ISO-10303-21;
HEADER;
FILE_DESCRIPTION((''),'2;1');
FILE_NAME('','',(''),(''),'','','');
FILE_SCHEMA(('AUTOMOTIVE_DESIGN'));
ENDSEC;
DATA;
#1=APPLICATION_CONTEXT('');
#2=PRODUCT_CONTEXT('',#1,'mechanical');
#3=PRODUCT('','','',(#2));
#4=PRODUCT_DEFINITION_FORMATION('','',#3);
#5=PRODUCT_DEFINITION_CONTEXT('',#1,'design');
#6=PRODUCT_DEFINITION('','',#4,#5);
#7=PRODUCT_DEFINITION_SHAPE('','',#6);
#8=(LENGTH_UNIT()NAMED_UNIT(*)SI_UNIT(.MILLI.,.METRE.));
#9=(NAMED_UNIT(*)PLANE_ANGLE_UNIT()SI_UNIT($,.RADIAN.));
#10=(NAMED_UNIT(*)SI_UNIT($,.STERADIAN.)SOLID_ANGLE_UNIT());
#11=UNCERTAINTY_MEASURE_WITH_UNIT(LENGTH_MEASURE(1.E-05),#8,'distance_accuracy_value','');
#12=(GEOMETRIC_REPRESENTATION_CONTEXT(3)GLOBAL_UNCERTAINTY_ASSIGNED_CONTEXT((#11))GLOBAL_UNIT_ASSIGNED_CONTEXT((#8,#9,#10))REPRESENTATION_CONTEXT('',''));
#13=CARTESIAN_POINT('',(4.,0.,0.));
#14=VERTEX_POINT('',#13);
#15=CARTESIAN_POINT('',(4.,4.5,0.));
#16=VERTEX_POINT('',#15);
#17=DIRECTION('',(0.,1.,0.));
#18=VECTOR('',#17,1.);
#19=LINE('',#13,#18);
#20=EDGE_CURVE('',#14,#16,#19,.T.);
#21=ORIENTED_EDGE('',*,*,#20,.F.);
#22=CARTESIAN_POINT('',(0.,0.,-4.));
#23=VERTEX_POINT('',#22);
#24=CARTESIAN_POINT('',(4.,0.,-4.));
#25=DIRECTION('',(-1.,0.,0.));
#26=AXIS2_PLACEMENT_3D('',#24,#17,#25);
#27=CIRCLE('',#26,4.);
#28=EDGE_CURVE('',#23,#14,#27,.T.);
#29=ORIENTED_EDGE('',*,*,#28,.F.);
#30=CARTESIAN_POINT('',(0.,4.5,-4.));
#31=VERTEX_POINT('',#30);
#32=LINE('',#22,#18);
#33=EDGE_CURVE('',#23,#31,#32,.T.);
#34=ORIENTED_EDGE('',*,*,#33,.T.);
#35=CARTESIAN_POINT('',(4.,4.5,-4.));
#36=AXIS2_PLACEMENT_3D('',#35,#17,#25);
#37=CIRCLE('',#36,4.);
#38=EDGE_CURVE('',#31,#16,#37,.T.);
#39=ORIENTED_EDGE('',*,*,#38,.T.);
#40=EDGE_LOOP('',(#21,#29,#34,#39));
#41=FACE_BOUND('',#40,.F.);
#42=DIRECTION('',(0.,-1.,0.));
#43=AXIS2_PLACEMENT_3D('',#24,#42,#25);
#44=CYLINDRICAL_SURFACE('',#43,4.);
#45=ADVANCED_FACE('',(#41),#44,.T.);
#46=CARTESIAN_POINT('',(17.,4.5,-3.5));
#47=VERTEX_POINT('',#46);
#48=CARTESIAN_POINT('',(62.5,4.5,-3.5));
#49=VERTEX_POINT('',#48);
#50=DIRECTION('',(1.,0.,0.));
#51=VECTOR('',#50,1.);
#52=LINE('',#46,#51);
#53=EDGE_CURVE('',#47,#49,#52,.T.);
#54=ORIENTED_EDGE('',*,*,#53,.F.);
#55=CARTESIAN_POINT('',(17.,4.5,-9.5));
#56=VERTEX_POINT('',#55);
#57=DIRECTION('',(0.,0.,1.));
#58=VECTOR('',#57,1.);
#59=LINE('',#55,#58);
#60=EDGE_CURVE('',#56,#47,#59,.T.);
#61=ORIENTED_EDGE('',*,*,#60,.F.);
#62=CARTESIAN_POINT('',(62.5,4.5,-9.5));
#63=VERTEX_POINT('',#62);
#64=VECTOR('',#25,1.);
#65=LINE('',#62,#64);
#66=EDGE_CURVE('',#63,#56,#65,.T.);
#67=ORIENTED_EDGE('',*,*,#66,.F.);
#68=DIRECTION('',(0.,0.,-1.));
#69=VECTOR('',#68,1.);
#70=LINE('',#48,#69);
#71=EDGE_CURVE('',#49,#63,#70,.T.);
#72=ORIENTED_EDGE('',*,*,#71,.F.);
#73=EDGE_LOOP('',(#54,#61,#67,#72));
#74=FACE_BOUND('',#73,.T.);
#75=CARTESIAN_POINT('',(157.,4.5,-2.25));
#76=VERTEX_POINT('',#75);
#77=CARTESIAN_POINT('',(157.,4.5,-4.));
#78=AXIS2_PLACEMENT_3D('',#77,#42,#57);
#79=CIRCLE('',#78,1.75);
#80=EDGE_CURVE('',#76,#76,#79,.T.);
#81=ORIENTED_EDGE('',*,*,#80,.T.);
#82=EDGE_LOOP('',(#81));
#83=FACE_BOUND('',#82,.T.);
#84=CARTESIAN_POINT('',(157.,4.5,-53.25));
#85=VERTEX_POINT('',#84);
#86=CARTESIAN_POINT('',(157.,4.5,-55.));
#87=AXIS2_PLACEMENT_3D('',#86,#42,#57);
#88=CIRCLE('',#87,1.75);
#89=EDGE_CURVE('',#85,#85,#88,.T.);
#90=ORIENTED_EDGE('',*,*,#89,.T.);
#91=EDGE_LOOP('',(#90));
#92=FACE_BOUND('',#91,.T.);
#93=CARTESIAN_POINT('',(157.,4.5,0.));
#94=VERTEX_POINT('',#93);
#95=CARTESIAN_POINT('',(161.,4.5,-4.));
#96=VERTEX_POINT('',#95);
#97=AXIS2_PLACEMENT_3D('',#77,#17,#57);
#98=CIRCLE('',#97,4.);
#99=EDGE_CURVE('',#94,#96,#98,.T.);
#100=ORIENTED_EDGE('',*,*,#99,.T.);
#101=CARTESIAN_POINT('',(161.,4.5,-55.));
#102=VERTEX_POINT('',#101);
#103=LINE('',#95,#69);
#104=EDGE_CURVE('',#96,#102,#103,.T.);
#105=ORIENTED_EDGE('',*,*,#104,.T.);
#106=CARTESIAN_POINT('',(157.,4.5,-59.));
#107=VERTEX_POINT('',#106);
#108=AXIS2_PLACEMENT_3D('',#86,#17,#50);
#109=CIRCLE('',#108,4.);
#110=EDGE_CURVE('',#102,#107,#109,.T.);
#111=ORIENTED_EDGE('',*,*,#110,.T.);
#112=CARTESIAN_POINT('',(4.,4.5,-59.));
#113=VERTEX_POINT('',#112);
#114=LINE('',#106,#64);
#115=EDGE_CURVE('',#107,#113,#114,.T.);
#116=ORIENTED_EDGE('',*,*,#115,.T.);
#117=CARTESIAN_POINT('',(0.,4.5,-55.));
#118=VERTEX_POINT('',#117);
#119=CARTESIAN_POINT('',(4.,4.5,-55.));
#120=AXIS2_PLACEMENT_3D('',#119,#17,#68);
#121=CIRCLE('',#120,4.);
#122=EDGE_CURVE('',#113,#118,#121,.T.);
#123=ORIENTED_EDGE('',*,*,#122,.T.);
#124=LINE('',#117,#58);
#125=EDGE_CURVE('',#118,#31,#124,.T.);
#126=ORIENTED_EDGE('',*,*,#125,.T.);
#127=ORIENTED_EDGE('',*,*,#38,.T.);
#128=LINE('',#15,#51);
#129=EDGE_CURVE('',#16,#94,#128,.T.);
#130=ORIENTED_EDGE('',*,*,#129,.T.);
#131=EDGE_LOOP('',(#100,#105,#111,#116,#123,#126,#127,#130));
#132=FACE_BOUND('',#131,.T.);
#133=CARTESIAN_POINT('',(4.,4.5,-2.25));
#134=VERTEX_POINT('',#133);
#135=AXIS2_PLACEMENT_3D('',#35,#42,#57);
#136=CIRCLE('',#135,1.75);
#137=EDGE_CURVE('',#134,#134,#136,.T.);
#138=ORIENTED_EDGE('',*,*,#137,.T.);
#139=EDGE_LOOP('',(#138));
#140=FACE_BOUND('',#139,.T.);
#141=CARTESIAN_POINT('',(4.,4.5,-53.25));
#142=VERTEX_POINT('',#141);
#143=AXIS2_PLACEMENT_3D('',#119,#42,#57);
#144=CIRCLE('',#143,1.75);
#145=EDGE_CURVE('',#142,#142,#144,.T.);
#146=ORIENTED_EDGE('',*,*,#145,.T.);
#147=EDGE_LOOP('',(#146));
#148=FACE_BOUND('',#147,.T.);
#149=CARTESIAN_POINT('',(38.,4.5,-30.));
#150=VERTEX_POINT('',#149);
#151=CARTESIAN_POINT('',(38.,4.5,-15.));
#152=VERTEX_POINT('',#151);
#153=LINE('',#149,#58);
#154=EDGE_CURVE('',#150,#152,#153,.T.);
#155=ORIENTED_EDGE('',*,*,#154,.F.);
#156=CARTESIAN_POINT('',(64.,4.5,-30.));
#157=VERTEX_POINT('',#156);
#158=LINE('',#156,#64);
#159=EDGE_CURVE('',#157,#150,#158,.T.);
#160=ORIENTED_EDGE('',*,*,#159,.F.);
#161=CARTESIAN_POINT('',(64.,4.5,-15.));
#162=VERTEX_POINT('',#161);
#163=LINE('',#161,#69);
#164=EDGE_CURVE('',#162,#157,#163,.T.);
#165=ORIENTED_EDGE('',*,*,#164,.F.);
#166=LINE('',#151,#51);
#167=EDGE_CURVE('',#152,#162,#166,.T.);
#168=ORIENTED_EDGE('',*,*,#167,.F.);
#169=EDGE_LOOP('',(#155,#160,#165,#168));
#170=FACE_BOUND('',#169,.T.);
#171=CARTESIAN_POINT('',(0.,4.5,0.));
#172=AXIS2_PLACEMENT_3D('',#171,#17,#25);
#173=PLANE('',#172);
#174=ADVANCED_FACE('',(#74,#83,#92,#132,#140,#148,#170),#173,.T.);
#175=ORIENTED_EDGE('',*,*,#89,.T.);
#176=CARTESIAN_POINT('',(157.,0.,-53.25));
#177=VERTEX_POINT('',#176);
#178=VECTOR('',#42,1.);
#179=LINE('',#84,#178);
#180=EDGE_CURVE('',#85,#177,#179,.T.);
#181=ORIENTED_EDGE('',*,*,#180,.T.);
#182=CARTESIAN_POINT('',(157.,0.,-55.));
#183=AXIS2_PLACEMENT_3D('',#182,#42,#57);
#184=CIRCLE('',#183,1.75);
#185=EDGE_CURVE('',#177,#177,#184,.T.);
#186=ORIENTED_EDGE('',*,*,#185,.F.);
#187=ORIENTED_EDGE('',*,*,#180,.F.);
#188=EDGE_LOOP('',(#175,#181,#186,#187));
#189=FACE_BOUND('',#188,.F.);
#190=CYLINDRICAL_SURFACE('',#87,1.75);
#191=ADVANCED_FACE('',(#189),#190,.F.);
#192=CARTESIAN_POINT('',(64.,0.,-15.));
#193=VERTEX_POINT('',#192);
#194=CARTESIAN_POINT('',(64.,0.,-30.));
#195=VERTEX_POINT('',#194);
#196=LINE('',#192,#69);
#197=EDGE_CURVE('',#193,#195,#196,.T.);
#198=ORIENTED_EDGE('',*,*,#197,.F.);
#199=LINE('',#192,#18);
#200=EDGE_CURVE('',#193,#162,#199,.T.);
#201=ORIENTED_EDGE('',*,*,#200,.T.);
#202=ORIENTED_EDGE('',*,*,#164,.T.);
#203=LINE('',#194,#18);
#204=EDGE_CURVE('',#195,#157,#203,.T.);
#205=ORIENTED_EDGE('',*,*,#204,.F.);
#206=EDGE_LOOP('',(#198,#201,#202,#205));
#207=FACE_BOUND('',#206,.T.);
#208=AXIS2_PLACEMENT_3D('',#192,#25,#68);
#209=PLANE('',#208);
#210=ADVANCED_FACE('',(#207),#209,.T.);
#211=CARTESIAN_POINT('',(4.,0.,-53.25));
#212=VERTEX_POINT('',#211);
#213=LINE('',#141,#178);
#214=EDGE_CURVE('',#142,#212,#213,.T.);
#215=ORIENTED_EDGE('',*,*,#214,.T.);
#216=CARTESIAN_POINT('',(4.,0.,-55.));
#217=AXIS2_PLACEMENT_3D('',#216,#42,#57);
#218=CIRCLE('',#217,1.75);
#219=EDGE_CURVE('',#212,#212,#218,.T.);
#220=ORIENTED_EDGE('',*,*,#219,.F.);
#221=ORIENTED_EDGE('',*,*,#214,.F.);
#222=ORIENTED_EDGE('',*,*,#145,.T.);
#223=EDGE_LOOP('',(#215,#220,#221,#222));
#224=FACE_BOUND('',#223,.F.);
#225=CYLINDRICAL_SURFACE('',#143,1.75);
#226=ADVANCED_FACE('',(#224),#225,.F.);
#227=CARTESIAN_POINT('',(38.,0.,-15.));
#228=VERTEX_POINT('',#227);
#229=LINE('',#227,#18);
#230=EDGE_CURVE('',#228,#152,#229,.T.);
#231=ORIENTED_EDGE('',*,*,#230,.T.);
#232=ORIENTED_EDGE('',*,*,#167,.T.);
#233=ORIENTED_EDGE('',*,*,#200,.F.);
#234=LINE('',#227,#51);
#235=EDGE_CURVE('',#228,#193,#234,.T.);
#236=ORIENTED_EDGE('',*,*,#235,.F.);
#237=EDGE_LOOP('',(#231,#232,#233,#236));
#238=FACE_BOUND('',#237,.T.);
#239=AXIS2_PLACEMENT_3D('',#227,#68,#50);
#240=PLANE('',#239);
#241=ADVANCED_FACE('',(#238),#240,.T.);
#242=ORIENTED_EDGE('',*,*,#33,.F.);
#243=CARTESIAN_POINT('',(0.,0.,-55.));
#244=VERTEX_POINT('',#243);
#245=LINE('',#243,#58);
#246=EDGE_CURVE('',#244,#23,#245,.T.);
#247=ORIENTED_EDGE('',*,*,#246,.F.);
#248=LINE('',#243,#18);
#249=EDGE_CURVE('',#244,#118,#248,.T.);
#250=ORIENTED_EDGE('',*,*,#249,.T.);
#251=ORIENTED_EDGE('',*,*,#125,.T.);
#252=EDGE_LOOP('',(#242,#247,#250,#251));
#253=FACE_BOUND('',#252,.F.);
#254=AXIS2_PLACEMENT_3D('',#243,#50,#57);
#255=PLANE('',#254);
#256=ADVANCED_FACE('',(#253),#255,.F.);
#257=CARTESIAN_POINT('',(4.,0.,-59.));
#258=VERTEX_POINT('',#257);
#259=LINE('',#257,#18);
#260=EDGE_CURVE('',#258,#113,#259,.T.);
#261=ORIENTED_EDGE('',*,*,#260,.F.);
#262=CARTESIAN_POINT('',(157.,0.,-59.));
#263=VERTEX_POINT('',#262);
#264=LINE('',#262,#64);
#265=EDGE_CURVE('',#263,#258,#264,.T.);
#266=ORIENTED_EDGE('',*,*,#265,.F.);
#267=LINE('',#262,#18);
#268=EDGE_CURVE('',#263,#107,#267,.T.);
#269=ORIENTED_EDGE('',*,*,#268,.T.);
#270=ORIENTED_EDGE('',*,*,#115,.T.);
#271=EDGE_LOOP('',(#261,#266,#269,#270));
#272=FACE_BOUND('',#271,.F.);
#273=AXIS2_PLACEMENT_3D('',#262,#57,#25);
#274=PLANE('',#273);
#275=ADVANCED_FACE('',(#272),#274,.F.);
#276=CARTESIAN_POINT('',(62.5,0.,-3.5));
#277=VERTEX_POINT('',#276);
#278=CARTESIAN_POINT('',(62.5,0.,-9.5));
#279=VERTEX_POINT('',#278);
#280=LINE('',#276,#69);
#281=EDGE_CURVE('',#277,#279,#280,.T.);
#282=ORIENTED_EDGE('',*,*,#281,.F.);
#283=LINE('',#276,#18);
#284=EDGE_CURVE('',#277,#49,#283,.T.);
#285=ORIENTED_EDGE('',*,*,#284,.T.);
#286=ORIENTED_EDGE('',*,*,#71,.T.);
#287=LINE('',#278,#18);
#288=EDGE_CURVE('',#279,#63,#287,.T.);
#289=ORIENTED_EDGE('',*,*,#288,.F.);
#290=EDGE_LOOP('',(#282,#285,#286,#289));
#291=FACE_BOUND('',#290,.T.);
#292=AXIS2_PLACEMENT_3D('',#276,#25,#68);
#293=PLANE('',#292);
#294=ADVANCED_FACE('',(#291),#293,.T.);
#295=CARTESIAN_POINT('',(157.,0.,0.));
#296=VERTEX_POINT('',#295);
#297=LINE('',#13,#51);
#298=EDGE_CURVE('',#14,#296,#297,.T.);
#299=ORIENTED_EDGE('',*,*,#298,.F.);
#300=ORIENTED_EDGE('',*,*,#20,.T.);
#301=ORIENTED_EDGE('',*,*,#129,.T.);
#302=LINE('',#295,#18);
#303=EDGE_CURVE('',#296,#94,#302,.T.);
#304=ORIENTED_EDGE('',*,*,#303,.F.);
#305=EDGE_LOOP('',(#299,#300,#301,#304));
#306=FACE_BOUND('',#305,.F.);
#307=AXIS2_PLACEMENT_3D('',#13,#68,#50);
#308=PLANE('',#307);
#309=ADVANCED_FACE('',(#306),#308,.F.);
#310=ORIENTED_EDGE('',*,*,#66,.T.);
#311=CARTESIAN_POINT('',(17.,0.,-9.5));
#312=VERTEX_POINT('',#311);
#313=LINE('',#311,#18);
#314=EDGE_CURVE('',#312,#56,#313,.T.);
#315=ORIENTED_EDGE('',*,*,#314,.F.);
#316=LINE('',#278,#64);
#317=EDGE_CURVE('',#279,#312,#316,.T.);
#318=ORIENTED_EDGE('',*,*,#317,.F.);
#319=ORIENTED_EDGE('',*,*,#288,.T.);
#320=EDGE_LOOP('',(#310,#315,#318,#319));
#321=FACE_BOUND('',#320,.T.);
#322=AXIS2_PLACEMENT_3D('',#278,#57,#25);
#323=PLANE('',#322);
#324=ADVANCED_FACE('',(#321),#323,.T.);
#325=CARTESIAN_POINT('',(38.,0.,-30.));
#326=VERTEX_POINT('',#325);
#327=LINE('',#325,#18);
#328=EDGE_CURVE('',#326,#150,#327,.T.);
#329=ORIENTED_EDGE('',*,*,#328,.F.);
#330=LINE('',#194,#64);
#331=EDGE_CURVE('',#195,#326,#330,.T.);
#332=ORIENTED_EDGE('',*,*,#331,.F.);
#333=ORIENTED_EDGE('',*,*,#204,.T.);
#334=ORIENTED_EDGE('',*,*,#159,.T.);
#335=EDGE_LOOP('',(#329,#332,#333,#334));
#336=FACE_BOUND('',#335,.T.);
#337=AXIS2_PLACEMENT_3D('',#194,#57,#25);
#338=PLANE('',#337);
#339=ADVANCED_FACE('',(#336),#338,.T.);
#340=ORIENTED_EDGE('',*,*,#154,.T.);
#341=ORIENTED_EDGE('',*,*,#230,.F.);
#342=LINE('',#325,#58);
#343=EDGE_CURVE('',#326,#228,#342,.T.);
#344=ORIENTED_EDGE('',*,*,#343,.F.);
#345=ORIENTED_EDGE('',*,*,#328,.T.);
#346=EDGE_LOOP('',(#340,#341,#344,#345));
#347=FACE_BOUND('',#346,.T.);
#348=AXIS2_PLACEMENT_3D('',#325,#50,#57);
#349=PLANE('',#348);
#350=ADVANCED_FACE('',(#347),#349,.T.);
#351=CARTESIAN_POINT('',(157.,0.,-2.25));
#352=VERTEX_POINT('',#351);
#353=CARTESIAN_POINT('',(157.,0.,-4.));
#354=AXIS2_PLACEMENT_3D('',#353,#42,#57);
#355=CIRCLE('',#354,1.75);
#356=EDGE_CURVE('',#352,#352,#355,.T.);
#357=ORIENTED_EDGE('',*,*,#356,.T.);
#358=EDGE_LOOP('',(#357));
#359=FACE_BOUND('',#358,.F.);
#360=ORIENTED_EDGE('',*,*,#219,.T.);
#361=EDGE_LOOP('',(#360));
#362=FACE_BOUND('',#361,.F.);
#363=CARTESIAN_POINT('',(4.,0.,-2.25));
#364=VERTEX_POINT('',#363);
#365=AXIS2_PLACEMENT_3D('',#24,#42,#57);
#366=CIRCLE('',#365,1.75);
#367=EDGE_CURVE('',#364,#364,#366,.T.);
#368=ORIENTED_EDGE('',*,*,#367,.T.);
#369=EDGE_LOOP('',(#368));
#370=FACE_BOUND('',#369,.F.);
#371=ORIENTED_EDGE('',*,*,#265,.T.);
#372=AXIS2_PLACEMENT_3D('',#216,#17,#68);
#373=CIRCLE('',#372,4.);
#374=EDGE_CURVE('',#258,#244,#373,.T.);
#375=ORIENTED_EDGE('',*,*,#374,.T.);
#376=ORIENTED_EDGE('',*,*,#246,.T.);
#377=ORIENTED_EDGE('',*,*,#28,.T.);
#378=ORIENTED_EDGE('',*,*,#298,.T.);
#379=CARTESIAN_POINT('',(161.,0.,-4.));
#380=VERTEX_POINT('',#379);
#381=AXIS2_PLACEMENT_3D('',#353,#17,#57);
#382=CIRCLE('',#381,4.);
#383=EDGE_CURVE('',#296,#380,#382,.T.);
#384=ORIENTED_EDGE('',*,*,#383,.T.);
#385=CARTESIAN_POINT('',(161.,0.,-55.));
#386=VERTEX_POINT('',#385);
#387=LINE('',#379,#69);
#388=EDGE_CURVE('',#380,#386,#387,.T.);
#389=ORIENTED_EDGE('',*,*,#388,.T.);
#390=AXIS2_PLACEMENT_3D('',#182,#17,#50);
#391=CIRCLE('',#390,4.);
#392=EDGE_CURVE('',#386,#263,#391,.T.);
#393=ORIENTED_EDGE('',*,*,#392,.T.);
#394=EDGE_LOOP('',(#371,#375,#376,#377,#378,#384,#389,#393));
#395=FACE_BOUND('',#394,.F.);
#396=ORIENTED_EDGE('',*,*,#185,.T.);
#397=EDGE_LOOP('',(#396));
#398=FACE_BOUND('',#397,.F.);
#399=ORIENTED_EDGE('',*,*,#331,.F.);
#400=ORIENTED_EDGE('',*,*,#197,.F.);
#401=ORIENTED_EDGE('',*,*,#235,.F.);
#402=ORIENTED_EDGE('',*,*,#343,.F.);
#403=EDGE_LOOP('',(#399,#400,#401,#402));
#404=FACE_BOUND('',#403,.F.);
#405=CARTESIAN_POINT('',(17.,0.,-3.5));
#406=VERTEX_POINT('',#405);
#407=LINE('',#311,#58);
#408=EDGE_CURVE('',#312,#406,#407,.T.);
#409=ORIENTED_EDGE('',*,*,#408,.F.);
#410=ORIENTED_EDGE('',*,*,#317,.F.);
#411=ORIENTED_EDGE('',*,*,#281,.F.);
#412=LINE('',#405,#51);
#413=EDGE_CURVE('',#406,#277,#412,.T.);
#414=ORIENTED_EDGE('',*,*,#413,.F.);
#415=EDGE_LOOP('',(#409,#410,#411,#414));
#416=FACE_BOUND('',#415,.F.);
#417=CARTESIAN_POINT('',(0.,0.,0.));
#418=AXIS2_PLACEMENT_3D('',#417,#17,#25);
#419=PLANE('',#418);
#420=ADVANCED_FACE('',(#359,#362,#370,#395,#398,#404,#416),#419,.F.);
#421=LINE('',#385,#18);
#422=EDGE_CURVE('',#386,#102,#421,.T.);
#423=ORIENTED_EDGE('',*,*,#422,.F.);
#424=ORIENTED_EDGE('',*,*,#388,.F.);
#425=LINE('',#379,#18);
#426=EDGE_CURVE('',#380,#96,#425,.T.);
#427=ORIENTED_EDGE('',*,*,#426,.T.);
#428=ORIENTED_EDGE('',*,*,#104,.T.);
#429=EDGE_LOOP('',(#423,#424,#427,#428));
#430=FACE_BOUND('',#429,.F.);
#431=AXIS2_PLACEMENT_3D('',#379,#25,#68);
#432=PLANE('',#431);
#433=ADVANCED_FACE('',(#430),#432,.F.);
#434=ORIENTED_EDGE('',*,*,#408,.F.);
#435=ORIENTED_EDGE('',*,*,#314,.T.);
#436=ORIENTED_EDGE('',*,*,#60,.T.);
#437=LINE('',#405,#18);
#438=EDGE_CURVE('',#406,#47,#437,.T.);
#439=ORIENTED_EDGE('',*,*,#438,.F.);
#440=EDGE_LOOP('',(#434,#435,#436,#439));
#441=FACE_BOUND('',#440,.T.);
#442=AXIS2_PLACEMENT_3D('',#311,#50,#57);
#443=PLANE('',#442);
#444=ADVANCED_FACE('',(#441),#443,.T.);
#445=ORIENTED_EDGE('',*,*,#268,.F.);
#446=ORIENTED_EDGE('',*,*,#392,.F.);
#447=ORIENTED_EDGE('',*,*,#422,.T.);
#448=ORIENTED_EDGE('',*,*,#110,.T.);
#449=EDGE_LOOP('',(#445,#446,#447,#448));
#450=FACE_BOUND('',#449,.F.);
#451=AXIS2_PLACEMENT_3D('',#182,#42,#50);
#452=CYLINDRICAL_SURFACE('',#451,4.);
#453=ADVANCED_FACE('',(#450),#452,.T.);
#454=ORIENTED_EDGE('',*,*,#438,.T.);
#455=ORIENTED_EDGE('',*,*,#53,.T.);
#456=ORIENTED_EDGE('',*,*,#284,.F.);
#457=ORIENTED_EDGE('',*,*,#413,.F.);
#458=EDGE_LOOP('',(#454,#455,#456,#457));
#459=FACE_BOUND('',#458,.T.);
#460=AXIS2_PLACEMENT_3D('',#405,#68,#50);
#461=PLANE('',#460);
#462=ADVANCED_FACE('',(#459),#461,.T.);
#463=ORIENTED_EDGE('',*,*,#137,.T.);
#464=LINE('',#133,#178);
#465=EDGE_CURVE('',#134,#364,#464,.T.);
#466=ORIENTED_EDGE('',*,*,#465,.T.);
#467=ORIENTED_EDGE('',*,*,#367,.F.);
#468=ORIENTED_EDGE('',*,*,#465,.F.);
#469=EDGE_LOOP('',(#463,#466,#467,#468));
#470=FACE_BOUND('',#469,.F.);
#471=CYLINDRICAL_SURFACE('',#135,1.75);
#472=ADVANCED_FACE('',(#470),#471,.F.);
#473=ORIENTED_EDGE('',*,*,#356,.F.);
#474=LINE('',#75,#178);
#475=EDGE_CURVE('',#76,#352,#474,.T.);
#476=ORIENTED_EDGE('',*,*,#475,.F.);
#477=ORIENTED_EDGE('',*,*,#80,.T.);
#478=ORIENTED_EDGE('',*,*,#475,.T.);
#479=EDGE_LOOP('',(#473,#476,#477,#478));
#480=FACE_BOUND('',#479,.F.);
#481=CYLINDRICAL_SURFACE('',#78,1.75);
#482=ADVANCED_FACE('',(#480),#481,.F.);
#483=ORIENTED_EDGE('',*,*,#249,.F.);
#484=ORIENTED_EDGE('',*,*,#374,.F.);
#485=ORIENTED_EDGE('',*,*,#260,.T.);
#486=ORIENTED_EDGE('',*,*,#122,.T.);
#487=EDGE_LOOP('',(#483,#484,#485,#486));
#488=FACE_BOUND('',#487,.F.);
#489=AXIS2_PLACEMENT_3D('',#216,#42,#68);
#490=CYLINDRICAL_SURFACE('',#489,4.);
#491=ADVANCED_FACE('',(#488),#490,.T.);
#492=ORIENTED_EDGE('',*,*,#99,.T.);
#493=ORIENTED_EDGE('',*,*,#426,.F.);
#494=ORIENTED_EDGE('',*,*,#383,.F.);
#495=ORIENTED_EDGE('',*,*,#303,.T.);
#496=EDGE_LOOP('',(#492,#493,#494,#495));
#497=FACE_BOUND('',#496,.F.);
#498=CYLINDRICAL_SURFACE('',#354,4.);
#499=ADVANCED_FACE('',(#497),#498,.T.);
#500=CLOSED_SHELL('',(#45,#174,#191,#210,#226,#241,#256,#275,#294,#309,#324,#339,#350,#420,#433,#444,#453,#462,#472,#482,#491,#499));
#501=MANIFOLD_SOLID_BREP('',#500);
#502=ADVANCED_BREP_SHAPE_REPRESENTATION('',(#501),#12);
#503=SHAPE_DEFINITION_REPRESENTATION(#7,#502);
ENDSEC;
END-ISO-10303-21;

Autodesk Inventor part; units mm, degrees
ref_plane "YZ Plane" through (0, 0, 0) normal (1, 0, 0) x (0, 1, 0)
ref_plane "XZ Plane" through (0, 0, 0) normal (0, 1, 0) x (-1, 0, 0)
ref_plane "XY Plane" through (0, 0, 0) normal (0, 0, 1) x (1, 0, 0)
sketch "Sketch1" plane through (0, 0, 0) normal (0, 1, 0) x (-1, 0, 0)
  line L0 (-4, 0) -> (-157, 0)
  line L1 (-161, -4) -> (-161, -55)
  line L2 (-157, -59) -> (-4, -59)
  line L3 (0, -55) -> (0, -4)
  line L4 (-17, -3.5) -> (-62.5, -3.5)
  line L5 (-62.5, -3.5) -> (-62.5, -9.5)
  line L6 (-62.5, -9.5) -> (-17, -9.5)
  line L7 (-17, -9.5) -> (-17, -3.5)
  line L8 (-38, -15) -> (-64, -15)
  line L9 (-64, -15) -> (-64, -30)
  line L10 (-64, -30) -> (-38, -30)
  line L11 (-38, -30) -> (-38, -15)
  arc A0 (0, -4) -> (-4, 0) centre (-4, -4) ccw
  arc A1 (-157, 0) -> (-161, -4) centre (-157, -4) ccw
  arc A2 (-161, -55) -> (-157, -59) centre (-157, -55) ccw
  arc A3 (-4, -59) -> (0, -55) centre (-4, -55) ccw
  point P0 (0, 0)
  point P1 (-161, 0)
  point P2 (0, -59)
  dimension "d0" = 161
  dimension "d1" = 59
  dimension "d2" = 6
  dimension "d3" = 45.5
  dimension "d4" = 26
  dimension "d5" = 15
  dimension "d6" = 3.5
  dimension "d7" = 15
  dimension "d8" = 17
  dimension "d9" = 38
  dimension "d10" = 4
  dimension "d20" = 51
  dimension "d21" = 153
extrude "Extrusion1" add sketch "Sketch1" along normal blind 4.5
sketch "Sketch2" plane through (0, 4.5, 0) normal (0, 1, 0) x (1, 0, 0)
  line L0 (38, 15) -> (38, 30) construction
  line L1 (38, 30) -> (64, 30) construction
  line L2 (64, 30) -> (64, 15) construction
  line L3 (64, 15) -> (38, 15) construction
  line L4 (17, 3.5) -> (17, 9.5) construction
  line L5 (17, 9.5) -> (62.5, 9.5) construction
  line L6 (62.5, 9.5) -> (62.5, 3.5) construction
  line L7 (62.5, 3.5) -> (17, 3.5) construction
  line L8 (4, 0) -> (157, 0) construction
  arc A0 (157, 0) -> (161, 4) centre (157, 4) ccw construction
  line L9 (161, 4) -> (161, 55) construction
  arc A1 (161, 55) -> (157, 59) centre (157, 55) ccw construction
  line L10 (157, 59) -> (4, 59) construction
  arc A2 (4, 59) -> (0, 55) centre (4, 55) ccw construction
  line L11 (0, 55) -> (0, 4) construction
  arc A3 (0, 4) -> (4, 0) centre (4, 4) ccw construction
  point P0 (0, 0)
hole "Hole1" at (4, 4.5, -55) at (4, 4.5, -4) at (157, 4.5, -4) at (157, 4.5, -55) direction (0, -1, 0) diameter 3.5 end through all
properties part number "A8-0005"
